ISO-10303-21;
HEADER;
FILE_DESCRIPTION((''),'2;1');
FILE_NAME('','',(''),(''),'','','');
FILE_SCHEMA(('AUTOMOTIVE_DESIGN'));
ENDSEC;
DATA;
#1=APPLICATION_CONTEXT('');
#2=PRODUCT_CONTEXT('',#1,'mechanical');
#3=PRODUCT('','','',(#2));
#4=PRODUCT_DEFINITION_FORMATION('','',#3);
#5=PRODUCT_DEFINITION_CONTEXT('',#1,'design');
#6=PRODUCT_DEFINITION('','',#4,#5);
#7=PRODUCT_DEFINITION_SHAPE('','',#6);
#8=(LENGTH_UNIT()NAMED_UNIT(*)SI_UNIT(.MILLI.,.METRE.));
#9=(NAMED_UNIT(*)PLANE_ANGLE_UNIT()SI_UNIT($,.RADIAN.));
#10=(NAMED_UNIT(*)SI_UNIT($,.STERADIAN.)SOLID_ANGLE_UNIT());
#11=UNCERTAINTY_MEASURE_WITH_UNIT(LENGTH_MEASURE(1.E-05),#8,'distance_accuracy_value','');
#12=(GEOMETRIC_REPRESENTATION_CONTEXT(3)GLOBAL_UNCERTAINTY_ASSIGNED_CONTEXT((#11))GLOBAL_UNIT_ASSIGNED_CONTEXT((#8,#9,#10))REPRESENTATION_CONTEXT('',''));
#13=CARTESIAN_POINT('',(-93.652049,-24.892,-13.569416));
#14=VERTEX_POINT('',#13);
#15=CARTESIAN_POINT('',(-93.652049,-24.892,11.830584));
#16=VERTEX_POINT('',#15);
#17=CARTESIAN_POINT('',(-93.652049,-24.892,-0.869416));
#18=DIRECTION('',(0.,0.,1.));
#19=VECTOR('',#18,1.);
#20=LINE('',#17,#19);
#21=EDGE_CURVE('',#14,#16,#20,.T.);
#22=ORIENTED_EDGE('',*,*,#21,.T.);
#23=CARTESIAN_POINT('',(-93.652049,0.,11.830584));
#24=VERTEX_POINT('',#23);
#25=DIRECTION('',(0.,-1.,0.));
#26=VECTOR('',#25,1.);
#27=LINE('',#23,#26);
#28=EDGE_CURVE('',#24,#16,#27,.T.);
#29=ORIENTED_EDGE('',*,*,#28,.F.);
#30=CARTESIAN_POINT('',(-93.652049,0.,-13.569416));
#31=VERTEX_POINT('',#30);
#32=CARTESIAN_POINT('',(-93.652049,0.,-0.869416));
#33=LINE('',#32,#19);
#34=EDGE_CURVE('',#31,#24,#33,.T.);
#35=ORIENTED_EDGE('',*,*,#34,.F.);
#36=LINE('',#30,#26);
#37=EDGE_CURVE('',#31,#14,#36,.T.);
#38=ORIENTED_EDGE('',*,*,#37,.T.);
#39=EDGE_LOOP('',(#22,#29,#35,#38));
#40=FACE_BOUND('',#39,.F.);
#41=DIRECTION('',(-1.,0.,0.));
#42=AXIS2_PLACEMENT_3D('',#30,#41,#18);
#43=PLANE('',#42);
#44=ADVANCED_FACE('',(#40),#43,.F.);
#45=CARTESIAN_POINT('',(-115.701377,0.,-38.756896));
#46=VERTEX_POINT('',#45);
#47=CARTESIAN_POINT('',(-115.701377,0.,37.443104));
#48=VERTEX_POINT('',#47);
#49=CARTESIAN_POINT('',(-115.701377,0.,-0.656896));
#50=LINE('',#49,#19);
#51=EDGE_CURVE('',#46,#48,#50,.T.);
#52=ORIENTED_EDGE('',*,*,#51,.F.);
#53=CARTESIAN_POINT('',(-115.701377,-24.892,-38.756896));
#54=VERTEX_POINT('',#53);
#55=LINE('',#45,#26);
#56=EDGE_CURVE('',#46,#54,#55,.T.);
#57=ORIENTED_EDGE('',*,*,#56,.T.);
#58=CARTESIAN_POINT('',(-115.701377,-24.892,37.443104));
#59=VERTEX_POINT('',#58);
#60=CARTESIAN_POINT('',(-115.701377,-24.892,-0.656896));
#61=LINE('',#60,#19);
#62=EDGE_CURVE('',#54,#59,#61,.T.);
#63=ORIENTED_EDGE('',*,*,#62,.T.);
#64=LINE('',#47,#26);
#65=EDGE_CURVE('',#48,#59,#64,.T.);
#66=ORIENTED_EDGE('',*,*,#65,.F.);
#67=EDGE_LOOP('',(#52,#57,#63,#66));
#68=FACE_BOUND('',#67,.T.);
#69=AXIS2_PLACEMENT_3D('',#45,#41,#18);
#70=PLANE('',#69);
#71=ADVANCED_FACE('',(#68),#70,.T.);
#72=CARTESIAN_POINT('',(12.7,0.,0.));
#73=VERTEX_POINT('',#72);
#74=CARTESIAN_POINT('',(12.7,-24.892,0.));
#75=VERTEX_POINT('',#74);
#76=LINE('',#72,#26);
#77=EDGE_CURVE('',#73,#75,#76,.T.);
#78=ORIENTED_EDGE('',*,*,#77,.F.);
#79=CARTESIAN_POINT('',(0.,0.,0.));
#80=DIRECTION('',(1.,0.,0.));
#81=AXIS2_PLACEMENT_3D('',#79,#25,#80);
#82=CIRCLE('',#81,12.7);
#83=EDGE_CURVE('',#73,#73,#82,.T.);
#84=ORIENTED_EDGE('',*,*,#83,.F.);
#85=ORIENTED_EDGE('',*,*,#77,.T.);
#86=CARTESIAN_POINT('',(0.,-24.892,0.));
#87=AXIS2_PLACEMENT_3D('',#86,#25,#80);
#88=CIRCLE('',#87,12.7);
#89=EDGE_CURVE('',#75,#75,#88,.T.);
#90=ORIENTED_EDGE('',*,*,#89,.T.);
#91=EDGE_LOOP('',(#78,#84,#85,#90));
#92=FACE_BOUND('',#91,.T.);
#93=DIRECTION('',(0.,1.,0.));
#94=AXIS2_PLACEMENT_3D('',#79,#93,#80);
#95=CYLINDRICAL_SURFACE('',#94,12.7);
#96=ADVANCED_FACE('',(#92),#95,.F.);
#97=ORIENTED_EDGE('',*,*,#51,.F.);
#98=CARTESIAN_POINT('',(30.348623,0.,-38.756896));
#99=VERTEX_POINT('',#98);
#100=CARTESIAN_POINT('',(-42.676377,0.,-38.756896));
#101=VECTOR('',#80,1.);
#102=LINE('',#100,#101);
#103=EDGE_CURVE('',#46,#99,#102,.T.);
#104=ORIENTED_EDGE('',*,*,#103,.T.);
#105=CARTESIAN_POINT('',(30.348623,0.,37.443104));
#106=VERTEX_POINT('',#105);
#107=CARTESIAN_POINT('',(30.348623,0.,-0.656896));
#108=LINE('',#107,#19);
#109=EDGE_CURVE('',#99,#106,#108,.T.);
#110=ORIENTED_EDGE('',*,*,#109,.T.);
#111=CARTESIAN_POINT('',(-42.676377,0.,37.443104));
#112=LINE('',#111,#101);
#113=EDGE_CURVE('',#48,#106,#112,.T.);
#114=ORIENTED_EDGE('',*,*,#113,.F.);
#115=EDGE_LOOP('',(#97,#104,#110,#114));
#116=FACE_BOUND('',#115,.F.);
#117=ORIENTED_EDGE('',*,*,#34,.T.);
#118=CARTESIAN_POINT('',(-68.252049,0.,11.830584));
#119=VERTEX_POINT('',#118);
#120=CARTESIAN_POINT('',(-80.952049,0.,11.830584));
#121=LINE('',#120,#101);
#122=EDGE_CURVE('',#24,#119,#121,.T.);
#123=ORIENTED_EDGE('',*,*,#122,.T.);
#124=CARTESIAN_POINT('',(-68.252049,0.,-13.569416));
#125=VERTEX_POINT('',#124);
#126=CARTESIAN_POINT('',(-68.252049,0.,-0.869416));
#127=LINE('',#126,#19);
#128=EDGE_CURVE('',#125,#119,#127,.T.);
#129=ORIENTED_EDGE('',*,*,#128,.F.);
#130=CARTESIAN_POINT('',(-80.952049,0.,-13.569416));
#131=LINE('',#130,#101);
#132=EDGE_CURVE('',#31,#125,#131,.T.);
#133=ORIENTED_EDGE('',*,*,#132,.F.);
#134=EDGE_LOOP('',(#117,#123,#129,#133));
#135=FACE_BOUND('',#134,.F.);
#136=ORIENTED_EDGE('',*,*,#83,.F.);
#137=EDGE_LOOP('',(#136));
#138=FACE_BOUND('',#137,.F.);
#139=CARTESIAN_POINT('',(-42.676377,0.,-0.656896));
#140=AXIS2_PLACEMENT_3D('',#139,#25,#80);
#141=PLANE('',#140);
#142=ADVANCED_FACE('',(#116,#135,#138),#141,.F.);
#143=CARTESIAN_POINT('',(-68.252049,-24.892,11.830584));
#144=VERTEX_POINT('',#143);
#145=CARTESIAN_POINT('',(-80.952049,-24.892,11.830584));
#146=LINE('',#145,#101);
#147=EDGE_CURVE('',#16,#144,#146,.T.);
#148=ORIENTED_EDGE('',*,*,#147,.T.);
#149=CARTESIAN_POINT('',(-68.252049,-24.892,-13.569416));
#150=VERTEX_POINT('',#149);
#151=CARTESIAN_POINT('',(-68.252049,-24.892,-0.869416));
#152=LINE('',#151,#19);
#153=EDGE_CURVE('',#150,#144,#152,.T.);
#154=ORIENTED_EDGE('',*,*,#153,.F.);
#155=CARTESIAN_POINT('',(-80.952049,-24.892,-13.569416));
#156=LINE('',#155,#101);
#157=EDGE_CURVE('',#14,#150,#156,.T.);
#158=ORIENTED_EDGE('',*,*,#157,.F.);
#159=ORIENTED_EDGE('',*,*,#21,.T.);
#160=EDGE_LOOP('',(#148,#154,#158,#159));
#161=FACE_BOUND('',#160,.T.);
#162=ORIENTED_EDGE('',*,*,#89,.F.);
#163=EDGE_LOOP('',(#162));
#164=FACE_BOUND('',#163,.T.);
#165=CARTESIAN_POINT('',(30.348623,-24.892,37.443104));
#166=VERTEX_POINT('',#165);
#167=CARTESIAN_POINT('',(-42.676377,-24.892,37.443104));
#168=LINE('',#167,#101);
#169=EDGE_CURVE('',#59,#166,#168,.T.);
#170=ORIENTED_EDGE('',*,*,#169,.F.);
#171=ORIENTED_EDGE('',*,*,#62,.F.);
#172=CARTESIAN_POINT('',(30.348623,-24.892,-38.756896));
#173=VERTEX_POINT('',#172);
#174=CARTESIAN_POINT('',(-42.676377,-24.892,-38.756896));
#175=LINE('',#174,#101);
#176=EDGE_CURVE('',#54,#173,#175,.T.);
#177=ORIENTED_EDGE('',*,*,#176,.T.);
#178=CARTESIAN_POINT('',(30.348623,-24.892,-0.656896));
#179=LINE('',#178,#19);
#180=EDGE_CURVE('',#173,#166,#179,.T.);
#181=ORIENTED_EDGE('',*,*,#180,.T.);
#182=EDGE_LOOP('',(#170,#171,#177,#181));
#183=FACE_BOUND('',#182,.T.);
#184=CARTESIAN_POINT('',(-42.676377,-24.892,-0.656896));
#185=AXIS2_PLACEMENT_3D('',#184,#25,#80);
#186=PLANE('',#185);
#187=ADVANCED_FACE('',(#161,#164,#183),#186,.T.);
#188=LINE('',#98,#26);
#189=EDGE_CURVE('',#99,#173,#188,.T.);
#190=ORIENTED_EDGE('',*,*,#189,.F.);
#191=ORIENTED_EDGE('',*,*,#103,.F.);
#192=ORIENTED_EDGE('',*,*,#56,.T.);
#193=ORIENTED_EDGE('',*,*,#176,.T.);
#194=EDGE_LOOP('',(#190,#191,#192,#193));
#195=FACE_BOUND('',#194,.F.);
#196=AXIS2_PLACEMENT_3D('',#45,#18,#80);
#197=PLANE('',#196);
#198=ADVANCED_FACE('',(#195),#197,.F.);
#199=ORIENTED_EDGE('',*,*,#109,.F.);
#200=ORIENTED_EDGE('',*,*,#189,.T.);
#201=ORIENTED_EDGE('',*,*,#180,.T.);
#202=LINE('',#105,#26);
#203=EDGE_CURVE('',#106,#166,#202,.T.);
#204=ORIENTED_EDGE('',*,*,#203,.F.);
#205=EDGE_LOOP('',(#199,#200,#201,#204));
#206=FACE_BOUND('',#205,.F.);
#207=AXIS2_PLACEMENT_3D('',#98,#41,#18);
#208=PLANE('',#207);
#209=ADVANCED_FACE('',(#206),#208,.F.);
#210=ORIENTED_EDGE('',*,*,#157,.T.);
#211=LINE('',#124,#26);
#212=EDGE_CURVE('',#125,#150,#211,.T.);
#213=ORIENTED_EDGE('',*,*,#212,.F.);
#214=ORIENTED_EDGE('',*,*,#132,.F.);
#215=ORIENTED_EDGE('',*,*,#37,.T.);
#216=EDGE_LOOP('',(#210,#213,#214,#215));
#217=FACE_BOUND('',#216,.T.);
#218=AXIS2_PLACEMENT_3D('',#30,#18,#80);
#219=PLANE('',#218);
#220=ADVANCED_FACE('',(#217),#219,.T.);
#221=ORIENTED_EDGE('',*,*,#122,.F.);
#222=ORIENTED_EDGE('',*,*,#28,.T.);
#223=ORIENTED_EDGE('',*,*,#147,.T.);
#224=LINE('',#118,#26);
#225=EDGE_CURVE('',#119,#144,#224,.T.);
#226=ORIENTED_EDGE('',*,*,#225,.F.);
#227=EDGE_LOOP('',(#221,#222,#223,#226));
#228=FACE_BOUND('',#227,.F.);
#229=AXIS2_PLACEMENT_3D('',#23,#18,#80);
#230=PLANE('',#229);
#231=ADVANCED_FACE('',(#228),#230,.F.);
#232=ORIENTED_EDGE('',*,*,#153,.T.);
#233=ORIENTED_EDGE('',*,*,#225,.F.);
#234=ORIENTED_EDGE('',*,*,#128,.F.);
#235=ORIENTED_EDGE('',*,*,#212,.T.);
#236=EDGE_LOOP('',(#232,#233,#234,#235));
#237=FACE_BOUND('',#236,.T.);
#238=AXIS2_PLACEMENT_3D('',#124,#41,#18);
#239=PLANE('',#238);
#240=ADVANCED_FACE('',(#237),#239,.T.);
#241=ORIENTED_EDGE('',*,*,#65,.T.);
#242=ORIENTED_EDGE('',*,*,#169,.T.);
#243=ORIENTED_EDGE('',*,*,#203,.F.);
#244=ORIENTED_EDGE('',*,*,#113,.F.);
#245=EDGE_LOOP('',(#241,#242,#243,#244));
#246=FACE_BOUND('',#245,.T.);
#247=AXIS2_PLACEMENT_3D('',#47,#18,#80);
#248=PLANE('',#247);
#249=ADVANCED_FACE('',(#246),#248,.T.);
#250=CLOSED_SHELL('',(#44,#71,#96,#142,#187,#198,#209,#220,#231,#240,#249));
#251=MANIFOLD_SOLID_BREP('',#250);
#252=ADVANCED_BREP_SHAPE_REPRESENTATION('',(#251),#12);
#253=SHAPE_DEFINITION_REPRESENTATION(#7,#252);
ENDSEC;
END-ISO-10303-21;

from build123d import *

# Parameters (mm, degrees)
F0_W     = 146.05
F0_H     = 76.2
F0_W_2   = 25.4
F0_H_2   = 25.4
F0_R     = 12.7
F1_DEPTH = 24.892


with BuildPart() as f1:
    # F0 (on Front) → F1 (new body)
    with BuildSketch(Plane.XZ):
        with Locations((-42.676377, -0.656896)):
            Rectangle(F0_W, F0_H)
        with Locations((-80.952049, -0.869416)):
            Rectangle(F0_W_2, F0_H_2, mode=Mode.SUBTRACT)
        Circle(F0_R, mode=Mode.SUBTRACT)
    extrude(amount=F1_DEPTH)


solid = f1.part
